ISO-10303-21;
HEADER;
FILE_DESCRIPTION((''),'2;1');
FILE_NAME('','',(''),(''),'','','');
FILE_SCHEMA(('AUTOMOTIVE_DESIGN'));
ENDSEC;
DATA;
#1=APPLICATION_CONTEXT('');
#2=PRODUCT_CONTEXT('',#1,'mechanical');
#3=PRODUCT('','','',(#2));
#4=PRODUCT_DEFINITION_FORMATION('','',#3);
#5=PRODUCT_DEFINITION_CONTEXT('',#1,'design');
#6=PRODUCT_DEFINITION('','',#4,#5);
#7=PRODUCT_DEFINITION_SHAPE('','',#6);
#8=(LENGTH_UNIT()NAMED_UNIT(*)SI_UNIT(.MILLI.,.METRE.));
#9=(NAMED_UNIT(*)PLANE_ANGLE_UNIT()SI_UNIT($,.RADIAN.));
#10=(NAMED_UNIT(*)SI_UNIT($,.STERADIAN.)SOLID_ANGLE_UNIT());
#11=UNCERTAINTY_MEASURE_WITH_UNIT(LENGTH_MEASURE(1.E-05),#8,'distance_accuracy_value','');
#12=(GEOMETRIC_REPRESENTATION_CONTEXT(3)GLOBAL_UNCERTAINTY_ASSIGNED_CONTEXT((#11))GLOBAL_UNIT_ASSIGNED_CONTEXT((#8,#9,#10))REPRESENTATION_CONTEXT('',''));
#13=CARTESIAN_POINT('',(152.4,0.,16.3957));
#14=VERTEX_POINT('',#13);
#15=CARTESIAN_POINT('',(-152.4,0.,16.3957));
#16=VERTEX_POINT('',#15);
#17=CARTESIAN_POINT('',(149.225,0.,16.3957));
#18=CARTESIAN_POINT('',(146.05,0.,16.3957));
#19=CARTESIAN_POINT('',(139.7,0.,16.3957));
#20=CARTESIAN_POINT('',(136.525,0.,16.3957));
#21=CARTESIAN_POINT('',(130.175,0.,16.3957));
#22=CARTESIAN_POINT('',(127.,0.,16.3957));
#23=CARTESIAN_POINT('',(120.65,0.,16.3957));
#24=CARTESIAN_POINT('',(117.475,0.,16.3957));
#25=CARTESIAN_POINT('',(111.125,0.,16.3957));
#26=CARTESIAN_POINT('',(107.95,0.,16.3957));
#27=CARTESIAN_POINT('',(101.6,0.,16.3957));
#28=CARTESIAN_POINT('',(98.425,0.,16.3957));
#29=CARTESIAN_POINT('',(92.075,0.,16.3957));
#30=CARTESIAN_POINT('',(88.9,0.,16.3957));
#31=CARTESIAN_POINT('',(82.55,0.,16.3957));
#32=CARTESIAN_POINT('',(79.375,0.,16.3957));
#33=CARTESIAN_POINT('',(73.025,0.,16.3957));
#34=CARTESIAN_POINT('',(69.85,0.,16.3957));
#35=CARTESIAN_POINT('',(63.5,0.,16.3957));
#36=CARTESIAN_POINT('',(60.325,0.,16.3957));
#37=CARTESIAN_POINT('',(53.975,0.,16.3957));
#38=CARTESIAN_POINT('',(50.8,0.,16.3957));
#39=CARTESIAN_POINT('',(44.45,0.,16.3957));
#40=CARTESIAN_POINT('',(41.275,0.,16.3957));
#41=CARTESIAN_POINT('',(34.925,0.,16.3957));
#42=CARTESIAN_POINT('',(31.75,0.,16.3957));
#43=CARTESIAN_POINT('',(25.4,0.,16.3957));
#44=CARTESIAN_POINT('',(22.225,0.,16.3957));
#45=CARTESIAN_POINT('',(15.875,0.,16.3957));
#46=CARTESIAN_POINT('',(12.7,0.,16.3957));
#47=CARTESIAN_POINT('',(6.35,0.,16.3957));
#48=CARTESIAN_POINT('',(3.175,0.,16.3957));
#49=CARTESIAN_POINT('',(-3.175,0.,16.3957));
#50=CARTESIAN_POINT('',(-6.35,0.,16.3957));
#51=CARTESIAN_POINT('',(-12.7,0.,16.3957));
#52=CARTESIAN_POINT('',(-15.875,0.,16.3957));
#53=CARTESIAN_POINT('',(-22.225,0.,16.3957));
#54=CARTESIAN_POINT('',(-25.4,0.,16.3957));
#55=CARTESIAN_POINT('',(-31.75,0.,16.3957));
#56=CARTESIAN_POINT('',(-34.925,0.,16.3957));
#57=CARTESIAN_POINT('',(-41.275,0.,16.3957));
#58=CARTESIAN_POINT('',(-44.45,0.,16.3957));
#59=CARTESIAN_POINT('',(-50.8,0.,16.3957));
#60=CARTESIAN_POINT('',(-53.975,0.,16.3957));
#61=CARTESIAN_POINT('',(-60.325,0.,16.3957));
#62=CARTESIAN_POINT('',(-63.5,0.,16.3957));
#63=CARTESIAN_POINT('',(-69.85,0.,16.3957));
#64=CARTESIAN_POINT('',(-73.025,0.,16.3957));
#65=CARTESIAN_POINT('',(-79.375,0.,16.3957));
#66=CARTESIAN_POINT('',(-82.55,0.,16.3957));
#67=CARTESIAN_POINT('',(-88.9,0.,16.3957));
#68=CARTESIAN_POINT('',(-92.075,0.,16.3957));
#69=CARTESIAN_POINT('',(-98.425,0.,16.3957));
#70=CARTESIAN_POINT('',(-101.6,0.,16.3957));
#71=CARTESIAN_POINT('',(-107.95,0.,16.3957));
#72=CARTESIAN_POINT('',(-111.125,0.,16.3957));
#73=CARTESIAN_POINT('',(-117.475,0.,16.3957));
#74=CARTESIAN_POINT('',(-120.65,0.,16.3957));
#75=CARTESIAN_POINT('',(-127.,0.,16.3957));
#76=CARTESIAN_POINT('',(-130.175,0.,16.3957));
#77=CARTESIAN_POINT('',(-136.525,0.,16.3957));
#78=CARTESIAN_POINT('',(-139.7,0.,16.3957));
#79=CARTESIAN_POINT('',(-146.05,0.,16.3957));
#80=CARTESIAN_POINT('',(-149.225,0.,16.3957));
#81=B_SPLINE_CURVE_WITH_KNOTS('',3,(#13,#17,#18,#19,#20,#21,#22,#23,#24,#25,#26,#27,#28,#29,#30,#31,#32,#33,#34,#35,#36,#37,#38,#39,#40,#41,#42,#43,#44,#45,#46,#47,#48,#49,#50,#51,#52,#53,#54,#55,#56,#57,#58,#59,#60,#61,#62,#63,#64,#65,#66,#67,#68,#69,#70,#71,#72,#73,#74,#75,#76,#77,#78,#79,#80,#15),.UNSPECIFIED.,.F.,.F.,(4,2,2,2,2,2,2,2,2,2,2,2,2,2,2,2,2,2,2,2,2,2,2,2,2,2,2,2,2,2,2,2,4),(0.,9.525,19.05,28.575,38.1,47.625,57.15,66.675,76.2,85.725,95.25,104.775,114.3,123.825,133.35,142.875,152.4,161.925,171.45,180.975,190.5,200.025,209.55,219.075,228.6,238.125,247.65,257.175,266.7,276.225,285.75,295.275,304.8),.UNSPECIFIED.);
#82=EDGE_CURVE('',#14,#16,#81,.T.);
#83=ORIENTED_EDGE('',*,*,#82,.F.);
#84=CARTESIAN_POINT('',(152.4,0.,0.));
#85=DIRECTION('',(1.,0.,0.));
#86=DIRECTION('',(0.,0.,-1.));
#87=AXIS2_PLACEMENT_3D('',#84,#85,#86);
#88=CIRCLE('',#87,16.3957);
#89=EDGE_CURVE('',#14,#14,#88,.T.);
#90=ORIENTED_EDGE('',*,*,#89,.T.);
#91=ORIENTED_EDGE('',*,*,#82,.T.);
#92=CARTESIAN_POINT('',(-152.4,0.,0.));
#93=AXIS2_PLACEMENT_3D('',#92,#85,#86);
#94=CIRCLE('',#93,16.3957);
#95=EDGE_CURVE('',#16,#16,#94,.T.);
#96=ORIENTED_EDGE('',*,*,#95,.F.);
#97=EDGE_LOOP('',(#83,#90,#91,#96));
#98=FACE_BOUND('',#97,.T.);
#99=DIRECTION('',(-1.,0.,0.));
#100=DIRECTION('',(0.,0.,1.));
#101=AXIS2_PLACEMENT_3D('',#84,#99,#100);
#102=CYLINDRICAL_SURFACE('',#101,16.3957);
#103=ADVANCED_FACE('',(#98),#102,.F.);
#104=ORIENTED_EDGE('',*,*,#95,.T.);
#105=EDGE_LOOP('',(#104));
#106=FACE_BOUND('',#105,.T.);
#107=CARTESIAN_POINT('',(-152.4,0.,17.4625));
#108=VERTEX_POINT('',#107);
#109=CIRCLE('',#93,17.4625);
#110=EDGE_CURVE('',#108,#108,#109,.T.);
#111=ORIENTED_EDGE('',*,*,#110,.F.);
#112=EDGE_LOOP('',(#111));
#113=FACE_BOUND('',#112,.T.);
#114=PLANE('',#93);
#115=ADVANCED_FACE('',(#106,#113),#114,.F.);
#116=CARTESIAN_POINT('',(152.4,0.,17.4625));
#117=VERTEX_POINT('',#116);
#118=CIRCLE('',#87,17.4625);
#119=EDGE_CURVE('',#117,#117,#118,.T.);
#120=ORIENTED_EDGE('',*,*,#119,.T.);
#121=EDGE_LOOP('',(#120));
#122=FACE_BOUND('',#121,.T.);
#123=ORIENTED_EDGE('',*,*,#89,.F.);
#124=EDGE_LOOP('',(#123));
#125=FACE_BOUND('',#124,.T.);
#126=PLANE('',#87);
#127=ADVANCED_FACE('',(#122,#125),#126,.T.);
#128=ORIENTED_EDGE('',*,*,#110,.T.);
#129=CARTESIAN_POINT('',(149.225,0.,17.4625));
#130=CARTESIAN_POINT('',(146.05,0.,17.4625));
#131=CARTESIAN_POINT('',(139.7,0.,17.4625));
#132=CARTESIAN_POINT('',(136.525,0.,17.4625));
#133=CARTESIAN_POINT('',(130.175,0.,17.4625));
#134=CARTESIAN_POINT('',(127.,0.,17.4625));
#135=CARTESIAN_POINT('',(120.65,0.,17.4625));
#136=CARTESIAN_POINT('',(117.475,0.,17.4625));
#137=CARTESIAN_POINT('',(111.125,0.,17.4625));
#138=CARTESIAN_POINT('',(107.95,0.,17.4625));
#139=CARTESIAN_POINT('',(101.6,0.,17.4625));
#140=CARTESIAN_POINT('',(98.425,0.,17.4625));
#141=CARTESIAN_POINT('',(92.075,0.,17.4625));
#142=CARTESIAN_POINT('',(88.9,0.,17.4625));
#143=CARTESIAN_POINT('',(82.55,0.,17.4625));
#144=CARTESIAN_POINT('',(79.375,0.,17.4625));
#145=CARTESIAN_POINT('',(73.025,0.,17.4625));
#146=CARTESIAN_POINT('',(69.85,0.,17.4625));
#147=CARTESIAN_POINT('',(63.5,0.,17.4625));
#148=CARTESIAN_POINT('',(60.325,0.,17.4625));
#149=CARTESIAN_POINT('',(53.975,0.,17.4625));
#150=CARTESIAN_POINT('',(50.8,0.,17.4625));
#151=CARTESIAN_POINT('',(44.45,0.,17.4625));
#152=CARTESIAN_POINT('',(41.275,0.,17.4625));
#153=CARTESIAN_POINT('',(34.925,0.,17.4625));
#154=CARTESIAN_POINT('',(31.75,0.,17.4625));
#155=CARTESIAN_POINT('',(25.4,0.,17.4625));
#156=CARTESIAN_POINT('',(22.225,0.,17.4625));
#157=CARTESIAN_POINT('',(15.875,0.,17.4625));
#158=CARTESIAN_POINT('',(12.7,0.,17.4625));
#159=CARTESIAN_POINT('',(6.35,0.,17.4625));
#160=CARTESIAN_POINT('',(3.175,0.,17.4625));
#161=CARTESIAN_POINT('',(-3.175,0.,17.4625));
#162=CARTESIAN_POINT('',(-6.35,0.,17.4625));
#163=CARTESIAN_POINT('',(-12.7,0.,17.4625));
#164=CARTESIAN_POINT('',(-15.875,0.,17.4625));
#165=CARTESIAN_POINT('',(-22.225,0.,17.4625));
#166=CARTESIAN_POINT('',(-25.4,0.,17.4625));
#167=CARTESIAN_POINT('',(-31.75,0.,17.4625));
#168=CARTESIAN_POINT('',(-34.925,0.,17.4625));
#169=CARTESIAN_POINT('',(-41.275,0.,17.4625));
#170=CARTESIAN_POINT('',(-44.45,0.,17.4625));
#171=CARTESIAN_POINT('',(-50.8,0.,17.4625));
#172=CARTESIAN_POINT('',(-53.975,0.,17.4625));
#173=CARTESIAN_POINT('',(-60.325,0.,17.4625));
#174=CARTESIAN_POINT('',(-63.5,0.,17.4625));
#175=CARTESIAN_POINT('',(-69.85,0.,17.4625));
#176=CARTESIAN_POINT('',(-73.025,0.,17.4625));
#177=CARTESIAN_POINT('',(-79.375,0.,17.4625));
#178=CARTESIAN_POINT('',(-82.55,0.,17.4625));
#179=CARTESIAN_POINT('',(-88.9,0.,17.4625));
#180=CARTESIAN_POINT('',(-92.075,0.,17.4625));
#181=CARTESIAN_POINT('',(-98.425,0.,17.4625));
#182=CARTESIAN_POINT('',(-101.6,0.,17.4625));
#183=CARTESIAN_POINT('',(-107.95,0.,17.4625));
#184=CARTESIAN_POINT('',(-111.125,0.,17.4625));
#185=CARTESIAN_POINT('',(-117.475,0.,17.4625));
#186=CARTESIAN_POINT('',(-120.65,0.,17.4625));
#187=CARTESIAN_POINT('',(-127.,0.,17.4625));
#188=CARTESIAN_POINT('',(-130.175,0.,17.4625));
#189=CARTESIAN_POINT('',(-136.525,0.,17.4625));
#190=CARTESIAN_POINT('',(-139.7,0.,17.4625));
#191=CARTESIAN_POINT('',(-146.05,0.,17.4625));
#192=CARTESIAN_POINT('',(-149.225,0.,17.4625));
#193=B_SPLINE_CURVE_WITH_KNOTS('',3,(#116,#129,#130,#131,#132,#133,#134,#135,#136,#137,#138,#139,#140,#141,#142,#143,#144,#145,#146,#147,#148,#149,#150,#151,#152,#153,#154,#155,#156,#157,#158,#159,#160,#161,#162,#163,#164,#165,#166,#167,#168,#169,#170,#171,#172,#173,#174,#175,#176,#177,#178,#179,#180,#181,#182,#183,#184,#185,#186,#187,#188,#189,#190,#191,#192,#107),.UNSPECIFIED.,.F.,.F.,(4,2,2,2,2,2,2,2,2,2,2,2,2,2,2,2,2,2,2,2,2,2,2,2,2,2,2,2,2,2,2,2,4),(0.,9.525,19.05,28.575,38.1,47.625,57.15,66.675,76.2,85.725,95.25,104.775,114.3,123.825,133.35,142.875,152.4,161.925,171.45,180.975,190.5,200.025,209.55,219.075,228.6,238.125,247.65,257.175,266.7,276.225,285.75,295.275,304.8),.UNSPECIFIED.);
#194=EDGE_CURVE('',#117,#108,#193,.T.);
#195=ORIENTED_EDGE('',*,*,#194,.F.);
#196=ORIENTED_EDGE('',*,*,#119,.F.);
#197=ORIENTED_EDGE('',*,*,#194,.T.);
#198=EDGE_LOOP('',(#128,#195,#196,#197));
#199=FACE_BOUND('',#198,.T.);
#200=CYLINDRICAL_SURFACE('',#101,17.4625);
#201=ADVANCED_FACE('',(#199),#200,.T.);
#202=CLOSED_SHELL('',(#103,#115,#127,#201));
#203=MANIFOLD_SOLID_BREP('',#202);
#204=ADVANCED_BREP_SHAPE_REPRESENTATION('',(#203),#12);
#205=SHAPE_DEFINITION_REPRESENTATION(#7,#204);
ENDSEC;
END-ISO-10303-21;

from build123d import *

# Parameters (mm, degrees)
SKETCH1_R      = 17.4625
SKETCH1_R_2    = 16.3957
EXTRUDE1_DEPTH = 152.4


with BuildPart() as part:
    # Sketch1 → Extrude1 (new, symmetric)
    with BuildSketch(Plane(origin=(0, 0, 0), x_dir=(0, 0, -1), z_dir=(1, 0, 0))):
        with Locations(Location((0, 0, 0), (0, 0, 180))):
            Circle(SKETCH1_R)
        with Locations(Location((0, 0, 0), (0, 0, 180))):
            Circle(SKETCH1_R_2, mode=Mode.SUBTRACT)
    extrude(amount=EXTRUDE1_DEPTH, both=True)


solid = part.part
